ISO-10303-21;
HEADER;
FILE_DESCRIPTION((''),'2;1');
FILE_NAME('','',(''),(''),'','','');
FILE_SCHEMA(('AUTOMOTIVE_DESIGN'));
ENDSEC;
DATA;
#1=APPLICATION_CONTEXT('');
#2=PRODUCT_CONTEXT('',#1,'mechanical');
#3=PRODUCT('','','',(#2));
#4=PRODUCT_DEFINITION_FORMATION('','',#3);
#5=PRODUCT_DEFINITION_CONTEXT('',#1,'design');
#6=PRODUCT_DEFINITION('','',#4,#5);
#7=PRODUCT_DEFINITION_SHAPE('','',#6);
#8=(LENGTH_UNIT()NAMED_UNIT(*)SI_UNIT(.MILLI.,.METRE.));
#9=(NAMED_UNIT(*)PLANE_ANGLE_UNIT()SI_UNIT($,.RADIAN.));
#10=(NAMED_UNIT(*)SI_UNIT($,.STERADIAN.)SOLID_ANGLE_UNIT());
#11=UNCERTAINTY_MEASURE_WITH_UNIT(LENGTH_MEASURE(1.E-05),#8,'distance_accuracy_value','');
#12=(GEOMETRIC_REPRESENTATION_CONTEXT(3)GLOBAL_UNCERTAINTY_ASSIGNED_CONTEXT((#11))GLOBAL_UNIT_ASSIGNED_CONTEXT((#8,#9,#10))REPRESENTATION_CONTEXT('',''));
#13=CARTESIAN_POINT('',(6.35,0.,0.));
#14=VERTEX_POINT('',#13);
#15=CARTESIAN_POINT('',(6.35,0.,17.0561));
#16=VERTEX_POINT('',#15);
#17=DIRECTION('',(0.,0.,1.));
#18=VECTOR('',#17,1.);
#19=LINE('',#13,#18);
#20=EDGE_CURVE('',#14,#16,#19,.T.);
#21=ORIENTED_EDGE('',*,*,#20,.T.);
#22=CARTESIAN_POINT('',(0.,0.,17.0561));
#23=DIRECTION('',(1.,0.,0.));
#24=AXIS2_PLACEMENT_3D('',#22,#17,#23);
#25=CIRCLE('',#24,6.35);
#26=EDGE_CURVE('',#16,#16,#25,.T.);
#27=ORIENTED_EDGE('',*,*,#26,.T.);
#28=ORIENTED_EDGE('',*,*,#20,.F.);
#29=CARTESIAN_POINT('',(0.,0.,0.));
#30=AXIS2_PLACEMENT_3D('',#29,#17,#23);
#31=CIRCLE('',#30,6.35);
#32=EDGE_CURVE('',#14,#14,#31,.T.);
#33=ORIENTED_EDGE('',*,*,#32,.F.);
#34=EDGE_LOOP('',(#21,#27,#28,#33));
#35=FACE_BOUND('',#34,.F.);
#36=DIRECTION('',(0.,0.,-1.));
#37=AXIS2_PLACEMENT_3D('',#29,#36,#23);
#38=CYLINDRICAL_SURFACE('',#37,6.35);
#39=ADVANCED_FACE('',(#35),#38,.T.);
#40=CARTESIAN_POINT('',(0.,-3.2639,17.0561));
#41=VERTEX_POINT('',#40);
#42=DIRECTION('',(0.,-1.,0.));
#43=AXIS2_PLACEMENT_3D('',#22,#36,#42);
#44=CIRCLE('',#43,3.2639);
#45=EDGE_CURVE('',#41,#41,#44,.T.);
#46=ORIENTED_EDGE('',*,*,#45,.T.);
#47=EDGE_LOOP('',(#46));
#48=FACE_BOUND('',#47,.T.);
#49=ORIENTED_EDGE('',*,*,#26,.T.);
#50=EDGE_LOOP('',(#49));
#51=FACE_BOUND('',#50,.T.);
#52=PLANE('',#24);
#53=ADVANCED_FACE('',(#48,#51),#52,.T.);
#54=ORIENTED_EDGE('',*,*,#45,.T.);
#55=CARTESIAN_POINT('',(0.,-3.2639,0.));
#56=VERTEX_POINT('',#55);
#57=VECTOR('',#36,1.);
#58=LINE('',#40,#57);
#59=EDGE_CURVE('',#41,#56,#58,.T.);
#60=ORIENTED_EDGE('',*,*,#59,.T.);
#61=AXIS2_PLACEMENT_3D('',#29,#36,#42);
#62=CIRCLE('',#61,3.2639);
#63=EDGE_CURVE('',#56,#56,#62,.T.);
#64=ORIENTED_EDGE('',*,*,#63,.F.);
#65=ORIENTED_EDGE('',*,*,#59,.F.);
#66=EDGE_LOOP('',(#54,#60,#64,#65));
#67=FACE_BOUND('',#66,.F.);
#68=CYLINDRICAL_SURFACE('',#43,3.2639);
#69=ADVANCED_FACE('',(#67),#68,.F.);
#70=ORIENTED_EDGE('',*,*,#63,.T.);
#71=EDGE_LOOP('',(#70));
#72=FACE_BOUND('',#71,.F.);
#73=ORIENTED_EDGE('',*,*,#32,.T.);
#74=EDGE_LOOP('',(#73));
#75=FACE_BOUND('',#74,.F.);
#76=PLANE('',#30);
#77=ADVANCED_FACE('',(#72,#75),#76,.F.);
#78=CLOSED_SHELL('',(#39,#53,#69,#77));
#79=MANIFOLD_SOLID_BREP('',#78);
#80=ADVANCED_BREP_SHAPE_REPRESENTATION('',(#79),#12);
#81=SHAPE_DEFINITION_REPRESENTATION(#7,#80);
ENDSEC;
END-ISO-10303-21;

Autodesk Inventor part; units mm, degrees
ref_plane "YZ Plane" through (0, 0, 0) normal (1, 0, 0) x (0, 1, 0)
ref_plane "XZ Plane" through (0, 0, 0) normal (0, 1, 0) x (-1, 0, 0)
ref_plane "XY Plane" through (0, 0, 0) normal (0, 0, 1) x (1, 0, 0)
sketch "Sketch1" plane through (0, 0, 0) normal (0, 0, 1) x (1, 0, 0)
  circle A0 centre (0, 0) radius 6.35
  dimension "d0" = 12.7
extrude "Extrusion1" add sketch "Sketch1" along normal blind 17.0561
sketch "Sketch2" plane through (0, 0, 17.0561) normal (0, 0, 1) x (1, 0, 0)
  circle A0 centre (0, 0) radius 6.35 projected
hole "Hole1" at (0, 0, 17.0561) direction (0, 0, -1) diameter 6.5278 end through all clearance for "Socket Head Cap Screw" size "1/4" standard "Ansi Unified Screw Threads"
properties part number "Ratchet Spacer"
